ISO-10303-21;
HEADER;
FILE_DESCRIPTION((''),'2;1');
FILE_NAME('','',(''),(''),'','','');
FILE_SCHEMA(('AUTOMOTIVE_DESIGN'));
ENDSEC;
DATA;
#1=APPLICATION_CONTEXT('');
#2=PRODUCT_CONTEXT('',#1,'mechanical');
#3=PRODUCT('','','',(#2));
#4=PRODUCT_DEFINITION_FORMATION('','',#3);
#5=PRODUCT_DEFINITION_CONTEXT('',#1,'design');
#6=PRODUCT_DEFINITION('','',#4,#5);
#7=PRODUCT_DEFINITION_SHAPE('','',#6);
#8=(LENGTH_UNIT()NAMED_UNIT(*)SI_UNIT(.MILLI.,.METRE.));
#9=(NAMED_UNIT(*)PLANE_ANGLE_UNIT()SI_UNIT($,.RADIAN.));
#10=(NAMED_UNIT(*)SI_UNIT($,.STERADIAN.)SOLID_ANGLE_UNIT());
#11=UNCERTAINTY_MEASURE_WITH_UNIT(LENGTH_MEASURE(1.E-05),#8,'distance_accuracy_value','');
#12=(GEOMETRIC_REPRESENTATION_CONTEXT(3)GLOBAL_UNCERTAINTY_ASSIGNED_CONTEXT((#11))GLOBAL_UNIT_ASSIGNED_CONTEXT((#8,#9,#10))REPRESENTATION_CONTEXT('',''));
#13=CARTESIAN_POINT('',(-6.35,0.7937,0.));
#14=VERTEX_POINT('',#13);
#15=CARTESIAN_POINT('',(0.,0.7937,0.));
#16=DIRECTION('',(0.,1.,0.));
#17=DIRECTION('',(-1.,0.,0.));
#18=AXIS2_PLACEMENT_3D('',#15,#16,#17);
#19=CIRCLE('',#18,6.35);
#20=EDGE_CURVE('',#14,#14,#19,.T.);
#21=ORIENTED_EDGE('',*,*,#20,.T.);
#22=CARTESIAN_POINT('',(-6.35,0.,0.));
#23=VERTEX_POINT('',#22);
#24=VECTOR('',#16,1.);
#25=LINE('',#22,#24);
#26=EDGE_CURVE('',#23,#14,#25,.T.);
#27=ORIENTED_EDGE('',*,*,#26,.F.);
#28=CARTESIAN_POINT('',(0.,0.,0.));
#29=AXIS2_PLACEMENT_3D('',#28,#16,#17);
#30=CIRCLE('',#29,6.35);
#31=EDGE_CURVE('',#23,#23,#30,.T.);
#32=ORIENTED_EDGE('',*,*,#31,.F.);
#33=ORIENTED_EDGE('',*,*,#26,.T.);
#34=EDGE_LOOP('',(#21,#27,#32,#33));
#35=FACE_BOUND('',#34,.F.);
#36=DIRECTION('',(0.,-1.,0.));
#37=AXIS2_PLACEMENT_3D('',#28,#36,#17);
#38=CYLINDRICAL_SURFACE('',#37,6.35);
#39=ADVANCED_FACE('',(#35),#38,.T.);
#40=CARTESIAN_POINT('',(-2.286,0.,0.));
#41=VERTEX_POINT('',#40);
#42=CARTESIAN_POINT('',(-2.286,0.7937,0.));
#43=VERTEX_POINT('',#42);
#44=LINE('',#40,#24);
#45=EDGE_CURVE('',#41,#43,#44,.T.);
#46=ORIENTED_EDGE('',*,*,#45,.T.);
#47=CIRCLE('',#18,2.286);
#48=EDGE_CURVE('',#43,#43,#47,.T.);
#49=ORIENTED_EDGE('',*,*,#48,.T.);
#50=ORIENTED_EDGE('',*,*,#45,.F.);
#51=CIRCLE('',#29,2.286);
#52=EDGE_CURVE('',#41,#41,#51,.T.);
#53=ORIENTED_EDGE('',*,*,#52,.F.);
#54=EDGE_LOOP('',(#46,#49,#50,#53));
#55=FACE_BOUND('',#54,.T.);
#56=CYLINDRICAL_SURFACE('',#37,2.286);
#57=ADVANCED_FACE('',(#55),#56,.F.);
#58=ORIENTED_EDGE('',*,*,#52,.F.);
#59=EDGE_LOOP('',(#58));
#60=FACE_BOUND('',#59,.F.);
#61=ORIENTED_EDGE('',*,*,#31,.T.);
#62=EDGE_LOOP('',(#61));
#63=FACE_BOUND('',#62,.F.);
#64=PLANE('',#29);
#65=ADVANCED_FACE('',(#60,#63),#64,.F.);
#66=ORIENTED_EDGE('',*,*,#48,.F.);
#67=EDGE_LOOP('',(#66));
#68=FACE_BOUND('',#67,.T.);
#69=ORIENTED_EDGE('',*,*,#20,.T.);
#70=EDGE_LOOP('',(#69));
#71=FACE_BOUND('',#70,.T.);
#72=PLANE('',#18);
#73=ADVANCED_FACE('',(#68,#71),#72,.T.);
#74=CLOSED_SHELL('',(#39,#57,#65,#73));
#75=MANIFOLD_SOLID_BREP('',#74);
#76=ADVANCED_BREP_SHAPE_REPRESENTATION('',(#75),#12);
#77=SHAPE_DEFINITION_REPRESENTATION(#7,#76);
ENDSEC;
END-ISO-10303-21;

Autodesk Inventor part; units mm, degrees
ref_plane "YZ Plane" through (0, 0, 0) normal (1, 0, 0) x (0, 1, 0)
ref_plane "XZ Plane" through (0, 0, 0) normal (0, 1, 0) x (-1, 0, 0)
ref_plane "XY Plane" through (0, 0, 0) normal (0, 0, 1) x (1, 0, 0)
sketch "Sketch1" plane through (0, 0, 0) normal (0, 1, 0) x (-1, 0, 0)
  circle A0 centre (0, 0) radius 6.35
  circle A1 centre (0, 0) radius 2.286
  dimension "d0" = 4.572
  dimension "d1" = 12.7
extrude "Extrusion1" add sketch "Sketch1" along normal blind 0.7937
properties part number "#8 x .5 washer"
